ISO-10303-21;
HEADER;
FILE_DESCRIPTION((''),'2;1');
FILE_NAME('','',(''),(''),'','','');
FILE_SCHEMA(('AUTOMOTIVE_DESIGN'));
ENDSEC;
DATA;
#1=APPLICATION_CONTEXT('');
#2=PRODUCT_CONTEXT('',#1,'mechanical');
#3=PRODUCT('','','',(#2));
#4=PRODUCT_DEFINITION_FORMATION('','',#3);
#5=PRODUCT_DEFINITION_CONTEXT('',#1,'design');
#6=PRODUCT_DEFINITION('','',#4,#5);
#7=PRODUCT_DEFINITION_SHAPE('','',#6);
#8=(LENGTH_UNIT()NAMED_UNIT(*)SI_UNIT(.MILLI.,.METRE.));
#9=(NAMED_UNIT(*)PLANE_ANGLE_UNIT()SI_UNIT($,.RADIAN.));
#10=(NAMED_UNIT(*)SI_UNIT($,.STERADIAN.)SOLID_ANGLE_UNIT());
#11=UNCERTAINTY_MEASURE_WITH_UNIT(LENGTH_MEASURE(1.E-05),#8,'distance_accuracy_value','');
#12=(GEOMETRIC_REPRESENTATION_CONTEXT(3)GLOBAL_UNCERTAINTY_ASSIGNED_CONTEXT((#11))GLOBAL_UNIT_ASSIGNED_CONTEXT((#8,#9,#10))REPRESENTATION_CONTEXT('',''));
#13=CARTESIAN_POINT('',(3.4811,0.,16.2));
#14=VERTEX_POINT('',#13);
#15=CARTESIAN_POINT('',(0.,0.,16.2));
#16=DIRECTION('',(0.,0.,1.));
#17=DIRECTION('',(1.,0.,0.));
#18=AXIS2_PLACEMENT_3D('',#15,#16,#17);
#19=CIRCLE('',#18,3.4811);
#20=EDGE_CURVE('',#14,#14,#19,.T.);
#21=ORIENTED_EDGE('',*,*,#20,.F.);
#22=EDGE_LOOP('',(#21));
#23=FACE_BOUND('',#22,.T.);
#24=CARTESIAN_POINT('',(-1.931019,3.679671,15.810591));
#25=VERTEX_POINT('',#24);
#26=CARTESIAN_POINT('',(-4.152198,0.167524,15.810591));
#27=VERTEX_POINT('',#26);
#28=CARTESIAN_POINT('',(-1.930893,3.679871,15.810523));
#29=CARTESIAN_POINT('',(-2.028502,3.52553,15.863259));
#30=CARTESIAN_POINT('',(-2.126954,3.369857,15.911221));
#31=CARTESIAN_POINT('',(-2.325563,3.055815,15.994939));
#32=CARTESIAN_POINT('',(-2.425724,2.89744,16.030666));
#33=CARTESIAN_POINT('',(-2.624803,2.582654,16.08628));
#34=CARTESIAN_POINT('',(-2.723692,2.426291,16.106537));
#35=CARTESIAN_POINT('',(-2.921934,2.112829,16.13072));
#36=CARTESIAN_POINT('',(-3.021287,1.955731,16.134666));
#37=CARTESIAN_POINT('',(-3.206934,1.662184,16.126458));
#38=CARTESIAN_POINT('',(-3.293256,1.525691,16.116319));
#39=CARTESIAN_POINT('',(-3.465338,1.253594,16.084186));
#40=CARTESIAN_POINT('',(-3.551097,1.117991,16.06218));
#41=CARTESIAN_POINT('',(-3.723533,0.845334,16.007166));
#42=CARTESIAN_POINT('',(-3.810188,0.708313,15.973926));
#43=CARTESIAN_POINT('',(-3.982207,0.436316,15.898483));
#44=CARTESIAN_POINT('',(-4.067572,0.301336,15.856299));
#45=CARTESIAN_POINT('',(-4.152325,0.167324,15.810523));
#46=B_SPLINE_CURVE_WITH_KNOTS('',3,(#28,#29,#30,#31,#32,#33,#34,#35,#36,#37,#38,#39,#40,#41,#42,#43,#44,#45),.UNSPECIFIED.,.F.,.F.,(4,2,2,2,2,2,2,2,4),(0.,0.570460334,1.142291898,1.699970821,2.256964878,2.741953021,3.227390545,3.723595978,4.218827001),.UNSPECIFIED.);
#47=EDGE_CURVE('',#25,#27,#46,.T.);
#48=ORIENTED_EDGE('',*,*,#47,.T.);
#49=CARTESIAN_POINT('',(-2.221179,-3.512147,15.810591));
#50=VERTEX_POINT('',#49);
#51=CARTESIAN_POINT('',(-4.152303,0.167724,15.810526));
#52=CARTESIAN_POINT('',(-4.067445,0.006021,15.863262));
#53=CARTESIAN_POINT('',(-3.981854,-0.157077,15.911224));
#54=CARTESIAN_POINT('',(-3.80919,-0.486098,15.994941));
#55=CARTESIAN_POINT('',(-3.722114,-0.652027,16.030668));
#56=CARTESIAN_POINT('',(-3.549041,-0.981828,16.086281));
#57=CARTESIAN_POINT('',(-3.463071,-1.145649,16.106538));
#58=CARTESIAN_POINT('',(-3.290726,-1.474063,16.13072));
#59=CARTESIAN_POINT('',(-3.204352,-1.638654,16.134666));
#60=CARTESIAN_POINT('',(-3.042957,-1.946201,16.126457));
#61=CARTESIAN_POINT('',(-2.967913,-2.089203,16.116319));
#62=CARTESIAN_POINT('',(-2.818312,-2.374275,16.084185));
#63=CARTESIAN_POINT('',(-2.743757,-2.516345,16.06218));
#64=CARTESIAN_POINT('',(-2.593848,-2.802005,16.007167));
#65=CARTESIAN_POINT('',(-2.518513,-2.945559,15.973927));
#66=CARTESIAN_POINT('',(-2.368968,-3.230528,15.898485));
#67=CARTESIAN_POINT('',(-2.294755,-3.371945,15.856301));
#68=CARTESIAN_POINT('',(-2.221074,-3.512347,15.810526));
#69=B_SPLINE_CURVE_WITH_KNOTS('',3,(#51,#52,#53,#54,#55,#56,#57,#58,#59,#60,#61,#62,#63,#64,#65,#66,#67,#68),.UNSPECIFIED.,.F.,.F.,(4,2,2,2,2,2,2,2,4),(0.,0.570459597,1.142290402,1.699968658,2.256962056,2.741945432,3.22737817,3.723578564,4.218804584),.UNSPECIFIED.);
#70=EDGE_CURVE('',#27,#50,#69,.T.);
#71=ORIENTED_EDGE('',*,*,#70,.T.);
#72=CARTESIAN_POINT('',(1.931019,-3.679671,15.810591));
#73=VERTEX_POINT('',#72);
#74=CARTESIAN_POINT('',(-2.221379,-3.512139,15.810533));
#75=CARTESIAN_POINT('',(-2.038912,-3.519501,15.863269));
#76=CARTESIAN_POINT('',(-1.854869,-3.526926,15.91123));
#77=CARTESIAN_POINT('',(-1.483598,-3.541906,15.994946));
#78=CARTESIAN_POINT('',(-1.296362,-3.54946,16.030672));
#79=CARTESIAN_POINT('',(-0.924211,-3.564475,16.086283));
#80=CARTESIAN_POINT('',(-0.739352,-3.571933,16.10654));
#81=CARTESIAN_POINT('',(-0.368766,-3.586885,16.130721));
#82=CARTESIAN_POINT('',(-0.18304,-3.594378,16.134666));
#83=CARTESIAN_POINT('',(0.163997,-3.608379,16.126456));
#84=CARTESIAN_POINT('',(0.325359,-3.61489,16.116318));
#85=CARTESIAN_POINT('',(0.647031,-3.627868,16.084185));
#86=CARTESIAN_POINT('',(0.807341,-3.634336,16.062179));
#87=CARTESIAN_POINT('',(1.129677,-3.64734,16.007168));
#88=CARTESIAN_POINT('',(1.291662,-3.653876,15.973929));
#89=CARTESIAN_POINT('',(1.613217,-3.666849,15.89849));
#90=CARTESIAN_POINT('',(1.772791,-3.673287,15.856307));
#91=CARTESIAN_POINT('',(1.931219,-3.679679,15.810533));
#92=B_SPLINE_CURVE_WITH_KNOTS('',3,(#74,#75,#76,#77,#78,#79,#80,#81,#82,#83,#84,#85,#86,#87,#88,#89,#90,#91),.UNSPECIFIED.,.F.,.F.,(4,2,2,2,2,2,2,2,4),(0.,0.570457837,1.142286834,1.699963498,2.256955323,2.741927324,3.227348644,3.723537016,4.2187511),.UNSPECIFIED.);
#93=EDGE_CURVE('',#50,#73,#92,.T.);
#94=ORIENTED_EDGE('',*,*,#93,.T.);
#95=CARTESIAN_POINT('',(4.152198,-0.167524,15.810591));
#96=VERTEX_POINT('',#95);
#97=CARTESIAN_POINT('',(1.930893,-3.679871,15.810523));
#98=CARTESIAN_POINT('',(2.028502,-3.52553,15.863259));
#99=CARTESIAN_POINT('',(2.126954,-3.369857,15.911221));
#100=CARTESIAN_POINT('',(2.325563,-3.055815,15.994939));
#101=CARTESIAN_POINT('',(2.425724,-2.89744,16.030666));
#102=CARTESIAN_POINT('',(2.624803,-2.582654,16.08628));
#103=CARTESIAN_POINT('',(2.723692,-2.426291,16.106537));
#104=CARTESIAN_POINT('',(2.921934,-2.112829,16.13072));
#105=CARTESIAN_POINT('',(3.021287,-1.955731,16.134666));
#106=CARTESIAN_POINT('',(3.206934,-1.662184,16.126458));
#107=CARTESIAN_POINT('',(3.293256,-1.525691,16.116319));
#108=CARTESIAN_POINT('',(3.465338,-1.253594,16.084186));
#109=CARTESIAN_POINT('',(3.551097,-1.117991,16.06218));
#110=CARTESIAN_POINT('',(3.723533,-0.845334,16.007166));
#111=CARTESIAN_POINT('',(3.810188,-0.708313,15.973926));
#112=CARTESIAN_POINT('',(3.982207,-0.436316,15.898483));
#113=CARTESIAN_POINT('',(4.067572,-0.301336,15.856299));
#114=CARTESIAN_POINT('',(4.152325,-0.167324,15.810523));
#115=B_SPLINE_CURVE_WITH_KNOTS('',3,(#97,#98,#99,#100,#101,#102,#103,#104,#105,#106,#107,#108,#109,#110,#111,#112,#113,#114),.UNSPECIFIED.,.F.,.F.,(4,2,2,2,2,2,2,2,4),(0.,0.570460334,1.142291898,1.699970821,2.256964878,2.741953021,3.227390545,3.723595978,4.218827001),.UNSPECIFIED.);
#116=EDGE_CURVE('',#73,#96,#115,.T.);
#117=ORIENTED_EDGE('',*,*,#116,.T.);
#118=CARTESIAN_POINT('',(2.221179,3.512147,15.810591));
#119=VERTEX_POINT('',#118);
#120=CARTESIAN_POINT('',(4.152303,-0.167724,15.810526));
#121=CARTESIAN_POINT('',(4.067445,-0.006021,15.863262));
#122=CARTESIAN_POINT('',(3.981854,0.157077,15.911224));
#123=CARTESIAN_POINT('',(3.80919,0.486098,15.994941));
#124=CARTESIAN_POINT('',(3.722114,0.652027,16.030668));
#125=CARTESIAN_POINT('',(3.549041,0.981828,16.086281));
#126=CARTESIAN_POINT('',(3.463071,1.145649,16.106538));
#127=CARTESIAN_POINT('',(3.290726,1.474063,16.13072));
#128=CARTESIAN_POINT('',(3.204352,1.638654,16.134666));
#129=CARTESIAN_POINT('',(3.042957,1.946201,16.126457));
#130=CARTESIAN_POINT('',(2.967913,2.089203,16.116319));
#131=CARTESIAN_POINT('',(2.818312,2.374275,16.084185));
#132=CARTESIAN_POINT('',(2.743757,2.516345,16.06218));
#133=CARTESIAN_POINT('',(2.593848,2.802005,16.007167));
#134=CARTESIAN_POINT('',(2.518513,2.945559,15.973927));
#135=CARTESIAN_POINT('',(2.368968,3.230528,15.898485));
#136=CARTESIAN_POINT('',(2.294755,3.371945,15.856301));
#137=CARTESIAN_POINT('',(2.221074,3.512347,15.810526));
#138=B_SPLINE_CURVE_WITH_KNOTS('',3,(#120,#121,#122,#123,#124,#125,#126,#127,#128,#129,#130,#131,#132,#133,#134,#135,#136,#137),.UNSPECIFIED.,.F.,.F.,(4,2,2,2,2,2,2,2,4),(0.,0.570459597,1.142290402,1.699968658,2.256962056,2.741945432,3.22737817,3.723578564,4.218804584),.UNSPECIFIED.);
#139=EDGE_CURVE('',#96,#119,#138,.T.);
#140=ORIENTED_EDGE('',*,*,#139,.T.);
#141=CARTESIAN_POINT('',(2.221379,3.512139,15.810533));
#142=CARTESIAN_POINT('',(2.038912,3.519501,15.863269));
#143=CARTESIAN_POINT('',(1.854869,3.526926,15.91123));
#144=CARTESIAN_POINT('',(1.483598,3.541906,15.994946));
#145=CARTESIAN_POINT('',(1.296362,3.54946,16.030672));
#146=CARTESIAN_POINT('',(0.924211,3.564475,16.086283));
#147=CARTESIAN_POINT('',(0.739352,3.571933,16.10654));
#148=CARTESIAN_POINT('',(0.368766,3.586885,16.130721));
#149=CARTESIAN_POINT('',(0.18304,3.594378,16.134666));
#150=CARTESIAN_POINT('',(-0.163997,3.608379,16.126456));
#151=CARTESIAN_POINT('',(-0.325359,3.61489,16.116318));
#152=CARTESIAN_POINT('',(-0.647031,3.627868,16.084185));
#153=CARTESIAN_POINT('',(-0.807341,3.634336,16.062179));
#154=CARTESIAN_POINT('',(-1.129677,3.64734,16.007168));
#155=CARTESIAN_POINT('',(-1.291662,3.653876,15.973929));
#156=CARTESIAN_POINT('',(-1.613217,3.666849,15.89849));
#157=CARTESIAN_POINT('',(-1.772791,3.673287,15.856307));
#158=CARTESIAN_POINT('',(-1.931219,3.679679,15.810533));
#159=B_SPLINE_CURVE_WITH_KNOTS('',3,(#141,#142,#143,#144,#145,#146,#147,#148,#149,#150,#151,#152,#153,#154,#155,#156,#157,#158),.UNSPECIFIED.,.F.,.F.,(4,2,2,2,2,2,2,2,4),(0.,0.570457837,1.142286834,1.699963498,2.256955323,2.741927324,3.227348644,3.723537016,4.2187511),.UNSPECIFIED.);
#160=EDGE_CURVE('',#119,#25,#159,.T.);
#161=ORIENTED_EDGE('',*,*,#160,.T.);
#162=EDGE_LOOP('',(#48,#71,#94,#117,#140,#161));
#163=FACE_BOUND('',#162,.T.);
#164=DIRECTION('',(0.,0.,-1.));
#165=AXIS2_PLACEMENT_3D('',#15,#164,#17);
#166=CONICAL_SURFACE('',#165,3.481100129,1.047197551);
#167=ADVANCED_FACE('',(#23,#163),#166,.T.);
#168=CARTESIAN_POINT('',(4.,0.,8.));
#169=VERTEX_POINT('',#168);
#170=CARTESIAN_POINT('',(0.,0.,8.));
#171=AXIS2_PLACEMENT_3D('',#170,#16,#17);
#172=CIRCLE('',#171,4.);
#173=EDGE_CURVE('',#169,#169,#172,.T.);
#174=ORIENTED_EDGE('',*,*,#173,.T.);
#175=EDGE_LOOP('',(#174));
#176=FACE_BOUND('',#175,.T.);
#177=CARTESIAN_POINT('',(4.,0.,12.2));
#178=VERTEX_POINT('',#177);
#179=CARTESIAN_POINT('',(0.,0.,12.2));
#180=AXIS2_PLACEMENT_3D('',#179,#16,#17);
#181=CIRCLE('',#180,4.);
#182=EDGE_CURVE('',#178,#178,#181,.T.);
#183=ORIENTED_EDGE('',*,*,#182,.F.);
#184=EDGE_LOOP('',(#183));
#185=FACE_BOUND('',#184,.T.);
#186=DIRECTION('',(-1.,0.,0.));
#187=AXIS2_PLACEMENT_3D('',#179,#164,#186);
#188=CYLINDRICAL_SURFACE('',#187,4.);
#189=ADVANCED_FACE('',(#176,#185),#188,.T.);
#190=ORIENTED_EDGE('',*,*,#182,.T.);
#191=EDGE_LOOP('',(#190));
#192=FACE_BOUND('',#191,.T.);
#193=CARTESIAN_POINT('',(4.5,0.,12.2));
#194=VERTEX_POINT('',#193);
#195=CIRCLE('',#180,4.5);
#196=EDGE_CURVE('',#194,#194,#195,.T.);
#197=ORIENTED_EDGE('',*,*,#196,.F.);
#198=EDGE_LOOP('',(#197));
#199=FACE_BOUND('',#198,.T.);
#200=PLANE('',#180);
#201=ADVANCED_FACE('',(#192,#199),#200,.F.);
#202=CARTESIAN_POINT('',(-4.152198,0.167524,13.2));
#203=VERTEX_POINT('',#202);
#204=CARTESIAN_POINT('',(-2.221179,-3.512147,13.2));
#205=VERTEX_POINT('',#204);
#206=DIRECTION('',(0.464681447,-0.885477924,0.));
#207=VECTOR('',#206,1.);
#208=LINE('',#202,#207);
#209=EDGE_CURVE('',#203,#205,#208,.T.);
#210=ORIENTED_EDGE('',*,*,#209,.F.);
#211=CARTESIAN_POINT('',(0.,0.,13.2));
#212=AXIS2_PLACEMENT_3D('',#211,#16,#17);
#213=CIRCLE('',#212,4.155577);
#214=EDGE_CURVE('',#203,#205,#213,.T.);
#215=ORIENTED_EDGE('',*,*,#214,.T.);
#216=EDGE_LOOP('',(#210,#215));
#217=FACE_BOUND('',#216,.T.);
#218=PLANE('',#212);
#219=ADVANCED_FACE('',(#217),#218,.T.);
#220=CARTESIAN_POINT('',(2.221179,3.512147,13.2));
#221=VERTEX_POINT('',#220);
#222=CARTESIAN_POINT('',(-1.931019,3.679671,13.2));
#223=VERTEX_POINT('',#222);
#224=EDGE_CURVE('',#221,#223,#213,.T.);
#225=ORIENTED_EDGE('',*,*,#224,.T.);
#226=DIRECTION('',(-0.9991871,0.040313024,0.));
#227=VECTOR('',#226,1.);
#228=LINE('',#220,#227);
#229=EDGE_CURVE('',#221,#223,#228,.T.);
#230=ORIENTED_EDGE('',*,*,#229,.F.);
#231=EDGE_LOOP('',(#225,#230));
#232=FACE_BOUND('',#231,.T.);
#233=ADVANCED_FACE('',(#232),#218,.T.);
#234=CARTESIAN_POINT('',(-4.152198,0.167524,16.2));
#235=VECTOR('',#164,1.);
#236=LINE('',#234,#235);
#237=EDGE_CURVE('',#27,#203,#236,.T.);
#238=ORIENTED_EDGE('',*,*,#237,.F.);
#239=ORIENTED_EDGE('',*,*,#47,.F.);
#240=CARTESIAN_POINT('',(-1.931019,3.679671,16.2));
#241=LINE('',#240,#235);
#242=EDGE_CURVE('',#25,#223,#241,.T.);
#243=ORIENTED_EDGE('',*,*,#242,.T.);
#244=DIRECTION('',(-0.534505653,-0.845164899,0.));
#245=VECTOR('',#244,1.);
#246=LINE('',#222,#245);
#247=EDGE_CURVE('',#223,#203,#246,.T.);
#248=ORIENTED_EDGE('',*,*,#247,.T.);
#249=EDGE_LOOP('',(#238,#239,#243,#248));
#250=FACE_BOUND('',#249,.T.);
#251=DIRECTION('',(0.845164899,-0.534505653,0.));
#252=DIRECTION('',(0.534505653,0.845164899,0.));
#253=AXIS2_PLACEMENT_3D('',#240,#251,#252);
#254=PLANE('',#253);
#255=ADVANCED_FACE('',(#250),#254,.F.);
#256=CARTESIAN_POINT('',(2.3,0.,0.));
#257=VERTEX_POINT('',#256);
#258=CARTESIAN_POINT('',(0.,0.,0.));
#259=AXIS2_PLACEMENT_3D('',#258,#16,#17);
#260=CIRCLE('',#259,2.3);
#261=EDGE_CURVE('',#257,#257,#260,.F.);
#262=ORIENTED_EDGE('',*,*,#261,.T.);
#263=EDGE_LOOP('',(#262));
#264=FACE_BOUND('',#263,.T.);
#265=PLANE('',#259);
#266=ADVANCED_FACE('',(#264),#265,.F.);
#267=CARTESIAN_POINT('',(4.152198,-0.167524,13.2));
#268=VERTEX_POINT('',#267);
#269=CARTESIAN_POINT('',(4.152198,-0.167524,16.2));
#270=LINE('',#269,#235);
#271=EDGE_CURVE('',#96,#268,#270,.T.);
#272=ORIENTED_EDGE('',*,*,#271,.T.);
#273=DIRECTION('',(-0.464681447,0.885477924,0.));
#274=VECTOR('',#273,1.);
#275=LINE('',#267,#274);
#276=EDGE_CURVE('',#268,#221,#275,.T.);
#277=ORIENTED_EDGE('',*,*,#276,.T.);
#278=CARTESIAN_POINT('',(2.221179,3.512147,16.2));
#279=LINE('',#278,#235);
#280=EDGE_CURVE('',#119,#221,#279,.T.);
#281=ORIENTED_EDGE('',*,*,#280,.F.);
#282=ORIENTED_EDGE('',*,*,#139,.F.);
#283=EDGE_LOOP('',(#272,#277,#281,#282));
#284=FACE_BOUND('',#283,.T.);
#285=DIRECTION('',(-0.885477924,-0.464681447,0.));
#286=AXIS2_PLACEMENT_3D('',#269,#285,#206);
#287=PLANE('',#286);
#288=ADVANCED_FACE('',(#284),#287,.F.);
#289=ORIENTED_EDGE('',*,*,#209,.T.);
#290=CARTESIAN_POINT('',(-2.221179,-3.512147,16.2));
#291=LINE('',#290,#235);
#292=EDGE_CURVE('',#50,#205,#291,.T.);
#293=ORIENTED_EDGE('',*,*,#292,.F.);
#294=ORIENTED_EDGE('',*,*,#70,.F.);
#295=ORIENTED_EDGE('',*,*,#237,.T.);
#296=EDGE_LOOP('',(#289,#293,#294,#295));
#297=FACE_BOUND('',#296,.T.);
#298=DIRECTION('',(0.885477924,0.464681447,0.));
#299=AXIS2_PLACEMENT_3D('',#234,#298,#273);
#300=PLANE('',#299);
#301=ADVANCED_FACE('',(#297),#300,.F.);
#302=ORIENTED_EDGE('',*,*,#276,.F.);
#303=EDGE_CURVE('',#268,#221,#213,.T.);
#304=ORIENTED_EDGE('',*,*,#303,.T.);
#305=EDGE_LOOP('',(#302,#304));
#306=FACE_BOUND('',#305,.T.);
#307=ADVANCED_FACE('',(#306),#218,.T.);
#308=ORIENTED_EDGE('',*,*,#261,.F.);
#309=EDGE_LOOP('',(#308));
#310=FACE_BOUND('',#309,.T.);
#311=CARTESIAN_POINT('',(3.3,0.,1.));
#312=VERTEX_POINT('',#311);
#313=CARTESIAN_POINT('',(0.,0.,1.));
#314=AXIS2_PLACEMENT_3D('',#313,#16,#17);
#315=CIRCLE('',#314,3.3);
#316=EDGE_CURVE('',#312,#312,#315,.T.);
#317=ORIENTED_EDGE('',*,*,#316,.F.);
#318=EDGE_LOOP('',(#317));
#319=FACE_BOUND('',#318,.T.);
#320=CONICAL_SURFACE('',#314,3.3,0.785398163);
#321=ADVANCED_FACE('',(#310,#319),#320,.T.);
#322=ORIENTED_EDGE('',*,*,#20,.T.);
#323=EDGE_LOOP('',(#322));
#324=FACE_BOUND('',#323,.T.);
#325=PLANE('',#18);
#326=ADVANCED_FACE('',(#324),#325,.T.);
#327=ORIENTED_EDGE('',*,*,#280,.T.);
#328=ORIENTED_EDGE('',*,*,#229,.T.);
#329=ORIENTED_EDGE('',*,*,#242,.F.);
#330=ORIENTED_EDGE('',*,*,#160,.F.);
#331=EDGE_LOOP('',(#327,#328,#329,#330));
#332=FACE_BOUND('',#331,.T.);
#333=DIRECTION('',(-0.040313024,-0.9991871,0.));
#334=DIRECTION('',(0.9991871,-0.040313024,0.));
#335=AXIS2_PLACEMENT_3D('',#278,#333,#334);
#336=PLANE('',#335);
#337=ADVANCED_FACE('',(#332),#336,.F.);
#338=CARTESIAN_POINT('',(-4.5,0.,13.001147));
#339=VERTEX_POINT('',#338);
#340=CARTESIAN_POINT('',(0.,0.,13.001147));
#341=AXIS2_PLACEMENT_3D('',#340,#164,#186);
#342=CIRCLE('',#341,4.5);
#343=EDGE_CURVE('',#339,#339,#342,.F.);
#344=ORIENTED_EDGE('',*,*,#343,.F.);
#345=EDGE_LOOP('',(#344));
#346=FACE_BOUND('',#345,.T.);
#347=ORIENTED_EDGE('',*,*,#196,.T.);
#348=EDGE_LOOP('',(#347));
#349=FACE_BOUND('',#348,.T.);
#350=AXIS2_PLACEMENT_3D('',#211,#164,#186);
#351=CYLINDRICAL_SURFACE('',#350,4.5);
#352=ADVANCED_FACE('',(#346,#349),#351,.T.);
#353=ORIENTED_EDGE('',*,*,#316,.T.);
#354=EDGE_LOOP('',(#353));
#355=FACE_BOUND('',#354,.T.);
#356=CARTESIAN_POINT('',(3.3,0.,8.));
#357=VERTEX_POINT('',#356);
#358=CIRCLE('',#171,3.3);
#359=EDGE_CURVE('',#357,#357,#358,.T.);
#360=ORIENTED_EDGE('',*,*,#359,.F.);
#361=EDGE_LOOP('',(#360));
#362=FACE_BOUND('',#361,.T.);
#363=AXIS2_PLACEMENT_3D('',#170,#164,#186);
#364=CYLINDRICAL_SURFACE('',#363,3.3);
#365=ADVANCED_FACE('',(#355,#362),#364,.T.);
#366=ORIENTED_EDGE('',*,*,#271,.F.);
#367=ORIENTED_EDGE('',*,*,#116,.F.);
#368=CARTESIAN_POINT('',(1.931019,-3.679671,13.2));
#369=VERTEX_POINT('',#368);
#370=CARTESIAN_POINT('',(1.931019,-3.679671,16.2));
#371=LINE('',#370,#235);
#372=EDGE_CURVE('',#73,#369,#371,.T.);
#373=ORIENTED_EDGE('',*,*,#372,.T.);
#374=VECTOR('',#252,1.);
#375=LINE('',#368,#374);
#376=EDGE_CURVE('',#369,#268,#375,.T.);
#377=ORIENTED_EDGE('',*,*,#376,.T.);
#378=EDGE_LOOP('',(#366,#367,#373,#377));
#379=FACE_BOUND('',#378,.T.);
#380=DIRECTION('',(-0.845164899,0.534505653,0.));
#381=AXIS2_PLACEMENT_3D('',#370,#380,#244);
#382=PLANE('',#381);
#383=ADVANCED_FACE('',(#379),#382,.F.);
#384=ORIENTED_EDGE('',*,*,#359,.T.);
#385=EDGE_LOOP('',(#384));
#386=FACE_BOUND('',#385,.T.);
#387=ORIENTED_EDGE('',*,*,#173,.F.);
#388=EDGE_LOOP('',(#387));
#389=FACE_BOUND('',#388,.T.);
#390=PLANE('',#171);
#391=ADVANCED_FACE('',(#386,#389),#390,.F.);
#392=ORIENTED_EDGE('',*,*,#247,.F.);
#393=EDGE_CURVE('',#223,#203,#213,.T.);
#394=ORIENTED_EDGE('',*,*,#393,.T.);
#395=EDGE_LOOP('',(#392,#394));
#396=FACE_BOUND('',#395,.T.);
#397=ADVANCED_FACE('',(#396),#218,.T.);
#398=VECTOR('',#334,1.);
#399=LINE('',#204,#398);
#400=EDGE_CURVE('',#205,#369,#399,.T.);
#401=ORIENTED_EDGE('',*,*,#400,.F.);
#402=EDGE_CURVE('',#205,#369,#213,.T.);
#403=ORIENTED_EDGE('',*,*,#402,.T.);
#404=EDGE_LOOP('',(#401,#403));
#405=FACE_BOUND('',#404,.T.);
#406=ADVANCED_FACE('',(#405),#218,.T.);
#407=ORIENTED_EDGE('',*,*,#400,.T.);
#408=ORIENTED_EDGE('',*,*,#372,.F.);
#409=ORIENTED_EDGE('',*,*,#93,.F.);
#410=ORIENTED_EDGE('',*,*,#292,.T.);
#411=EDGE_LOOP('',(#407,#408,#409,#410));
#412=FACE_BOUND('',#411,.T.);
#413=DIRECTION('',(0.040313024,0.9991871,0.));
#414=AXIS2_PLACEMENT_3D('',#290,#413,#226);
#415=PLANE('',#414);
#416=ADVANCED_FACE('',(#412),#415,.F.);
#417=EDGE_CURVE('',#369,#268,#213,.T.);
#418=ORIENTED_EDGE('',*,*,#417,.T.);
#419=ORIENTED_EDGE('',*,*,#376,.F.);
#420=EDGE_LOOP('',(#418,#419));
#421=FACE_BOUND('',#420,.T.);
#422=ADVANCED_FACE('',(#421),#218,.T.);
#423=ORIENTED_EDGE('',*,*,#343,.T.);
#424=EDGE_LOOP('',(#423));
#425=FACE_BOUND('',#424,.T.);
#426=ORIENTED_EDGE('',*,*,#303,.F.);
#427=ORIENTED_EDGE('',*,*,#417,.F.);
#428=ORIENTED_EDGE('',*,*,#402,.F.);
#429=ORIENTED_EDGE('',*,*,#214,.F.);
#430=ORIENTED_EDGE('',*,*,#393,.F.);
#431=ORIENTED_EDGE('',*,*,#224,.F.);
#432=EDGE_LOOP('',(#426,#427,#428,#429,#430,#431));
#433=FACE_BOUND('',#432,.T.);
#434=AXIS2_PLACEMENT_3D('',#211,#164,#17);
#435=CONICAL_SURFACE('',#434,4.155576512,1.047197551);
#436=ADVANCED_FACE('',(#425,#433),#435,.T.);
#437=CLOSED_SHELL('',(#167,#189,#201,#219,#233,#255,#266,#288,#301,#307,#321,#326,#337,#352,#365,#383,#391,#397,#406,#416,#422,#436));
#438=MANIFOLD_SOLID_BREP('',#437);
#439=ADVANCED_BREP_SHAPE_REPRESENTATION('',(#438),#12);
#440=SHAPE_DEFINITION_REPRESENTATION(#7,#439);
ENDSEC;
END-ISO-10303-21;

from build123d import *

# Parameters (mm, degrees)
SKETCH_1_R          = 3.3
EXTRUDE_1_DEPTH     = 8
SKETCH_2_R          = 4
EXTRUDE_2_DEPTH     = 4.2
SKETCH_3_R          = 4.5
EXTRUDE_3_DEPTH     = 1
SKETCH_4_OUTSIDE_W  = 18.132
SKETCH_4_OUTSIDE_H  = 18.132
SKETCH_4_OUTSIDE_R  = 4.155576512
CUT_EXTRUDE_1_DEPTH = 1
CUT_EXTRUDE_1_DRAFT = -60
EXTRUDE_4_DEPTH     = 3
SKETCH_6_OUTSIDE_W  = 25.512
SKETCH_6_OUTSIDE_H  = 25.512
SKETCH_6_OUTSIDE_R  = 3.481100129
CUT_EXTRUDE_2_DEPTH = 3
CUT_EXTRUDE_2_DRAFT = -60
CHAMFER_1_SIZE      = 1


with BuildPart() as part:
    # Sketch 1 → Extrude 1 (new body)
    with BuildSketch(Plane.XY):
        Circle(SKETCH_1_R)
    extrude(amount=EXTRUDE_1_DEPTH)

    # Sketch 2 → Extrude 2 (add)
    with BuildSketch(Plane.XY.offset(8)):
        Circle(SKETCH_2_R)
    extrude(amount=EXTRUDE_2_DEPTH)

    # Sketch 3 → Extrude 3 (add)
    with BuildSketch(Plane.XY.offset(12.2)):
        Circle(SKETCH_3_R)
    extrude(amount=EXTRUDE_3_DEPTH)


with BuildPart() as cut_extrude_1_tool:
    # Sketch 4 outside → Cut-Extrude 1 (with draft: the straight prism first)
    with BuildSketch(Plane.XY.offset(13.2)):
        Rectangle(SKETCH_4_OUTSIDE_W, SKETCH_4_OUTSIDE_H)
        Circle(SKETCH_4_OUTSIDE_R, mode=Mode.SUBTRACT)
    extrude(amount=-CUT_EXTRUDE_1_DEPTH)
    # Cut-Extrude 1: the draft: its side faces are tilted about the plane it starts from
    cut_extrude_1_sides = [cut_extrude_1_tool.faces().sort_by_distance(p)[0] for p in [
        (0, -9.066, 12.7),
        (9.066, 0, 12.7),
        (0, 9.066, 12.7),
        (-9.066, 0, 12.7),
        (-4.155576512, 0, 12.7),
    ]]
    draft(cut_extrude_1_sides, Plane.XY.offset(13.2), CUT_EXTRUDE_1_DRAFT)


with BuildPart() as part_1:
    add(part.part)

    # Cut-Extrude 1: cut by cut_extrude_1_tool
    add(cut_extrude_1_tool.part, mode=Mode.SUBTRACT)

    # Sketch 5 → Extrude 4 (add)
    with BuildSketch(Plane.XY.offset(13.2)):
        Polygon((-4.152198442, 0.167523856), (-2.221179136, -3.512147404), (1.931019306, -3.679671261), (4.152198442, -0.167523856), (2.221179136, 3.512147404), (-1.931019306, 3.679671261), align=None)
    extrude(amount=EXTRUDE_4_DEPTH)


with BuildPart() as cut_extrude_2_tool:
    # Sketch 6 outside → Cut-Extrude 2 (with draft: the straight prism first)
    with BuildSketch(Plane.XY.offset(16.2)):
        Rectangle(SKETCH_6_OUTSIDE_W, SKETCH_6_OUTSIDE_H)
        Circle(SKETCH_6_OUTSIDE_R, mode=Mode.SUBTRACT)
    extrude(amount=-CUT_EXTRUDE_2_DEPTH)
    # Cut-Extrude 2: the draft: its side faces are tilted about the plane it starts from
    cut_extrude_2_sides = [cut_extrude_2_tool.faces().sort_by_distance(p)[0] for p in [
        (0, -12.756, 14.7),
        (12.756, 0, 14.7),
        (0, 12.756, 14.7),
        (-12.756, 0, 14.7),
        (-3.481100129, 0, 14.7),
    ]]
    draft(cut_extrude_2_sides, Plane.XY.offset(16.2), CUT_EXTRUDE_2_DRAFT)


with BuildPart() as part_2:
    add(part_1.part)

    # Cut-Extrude 2: cut by cut_extrude_2_tool
    add(cut_extrude_2_tool.part, mode=Mode.SUBTRACT)

    # Chamfer 1
    chamfer_1_edges = [part_2.edges().sort_by_distance(p)[0] for p in [
        (-3.3, 0, 0),
    ]]
    chamfer(chamfer_1_edges, length=CHAMFER_1_SIZE)


solid = part_2.part
